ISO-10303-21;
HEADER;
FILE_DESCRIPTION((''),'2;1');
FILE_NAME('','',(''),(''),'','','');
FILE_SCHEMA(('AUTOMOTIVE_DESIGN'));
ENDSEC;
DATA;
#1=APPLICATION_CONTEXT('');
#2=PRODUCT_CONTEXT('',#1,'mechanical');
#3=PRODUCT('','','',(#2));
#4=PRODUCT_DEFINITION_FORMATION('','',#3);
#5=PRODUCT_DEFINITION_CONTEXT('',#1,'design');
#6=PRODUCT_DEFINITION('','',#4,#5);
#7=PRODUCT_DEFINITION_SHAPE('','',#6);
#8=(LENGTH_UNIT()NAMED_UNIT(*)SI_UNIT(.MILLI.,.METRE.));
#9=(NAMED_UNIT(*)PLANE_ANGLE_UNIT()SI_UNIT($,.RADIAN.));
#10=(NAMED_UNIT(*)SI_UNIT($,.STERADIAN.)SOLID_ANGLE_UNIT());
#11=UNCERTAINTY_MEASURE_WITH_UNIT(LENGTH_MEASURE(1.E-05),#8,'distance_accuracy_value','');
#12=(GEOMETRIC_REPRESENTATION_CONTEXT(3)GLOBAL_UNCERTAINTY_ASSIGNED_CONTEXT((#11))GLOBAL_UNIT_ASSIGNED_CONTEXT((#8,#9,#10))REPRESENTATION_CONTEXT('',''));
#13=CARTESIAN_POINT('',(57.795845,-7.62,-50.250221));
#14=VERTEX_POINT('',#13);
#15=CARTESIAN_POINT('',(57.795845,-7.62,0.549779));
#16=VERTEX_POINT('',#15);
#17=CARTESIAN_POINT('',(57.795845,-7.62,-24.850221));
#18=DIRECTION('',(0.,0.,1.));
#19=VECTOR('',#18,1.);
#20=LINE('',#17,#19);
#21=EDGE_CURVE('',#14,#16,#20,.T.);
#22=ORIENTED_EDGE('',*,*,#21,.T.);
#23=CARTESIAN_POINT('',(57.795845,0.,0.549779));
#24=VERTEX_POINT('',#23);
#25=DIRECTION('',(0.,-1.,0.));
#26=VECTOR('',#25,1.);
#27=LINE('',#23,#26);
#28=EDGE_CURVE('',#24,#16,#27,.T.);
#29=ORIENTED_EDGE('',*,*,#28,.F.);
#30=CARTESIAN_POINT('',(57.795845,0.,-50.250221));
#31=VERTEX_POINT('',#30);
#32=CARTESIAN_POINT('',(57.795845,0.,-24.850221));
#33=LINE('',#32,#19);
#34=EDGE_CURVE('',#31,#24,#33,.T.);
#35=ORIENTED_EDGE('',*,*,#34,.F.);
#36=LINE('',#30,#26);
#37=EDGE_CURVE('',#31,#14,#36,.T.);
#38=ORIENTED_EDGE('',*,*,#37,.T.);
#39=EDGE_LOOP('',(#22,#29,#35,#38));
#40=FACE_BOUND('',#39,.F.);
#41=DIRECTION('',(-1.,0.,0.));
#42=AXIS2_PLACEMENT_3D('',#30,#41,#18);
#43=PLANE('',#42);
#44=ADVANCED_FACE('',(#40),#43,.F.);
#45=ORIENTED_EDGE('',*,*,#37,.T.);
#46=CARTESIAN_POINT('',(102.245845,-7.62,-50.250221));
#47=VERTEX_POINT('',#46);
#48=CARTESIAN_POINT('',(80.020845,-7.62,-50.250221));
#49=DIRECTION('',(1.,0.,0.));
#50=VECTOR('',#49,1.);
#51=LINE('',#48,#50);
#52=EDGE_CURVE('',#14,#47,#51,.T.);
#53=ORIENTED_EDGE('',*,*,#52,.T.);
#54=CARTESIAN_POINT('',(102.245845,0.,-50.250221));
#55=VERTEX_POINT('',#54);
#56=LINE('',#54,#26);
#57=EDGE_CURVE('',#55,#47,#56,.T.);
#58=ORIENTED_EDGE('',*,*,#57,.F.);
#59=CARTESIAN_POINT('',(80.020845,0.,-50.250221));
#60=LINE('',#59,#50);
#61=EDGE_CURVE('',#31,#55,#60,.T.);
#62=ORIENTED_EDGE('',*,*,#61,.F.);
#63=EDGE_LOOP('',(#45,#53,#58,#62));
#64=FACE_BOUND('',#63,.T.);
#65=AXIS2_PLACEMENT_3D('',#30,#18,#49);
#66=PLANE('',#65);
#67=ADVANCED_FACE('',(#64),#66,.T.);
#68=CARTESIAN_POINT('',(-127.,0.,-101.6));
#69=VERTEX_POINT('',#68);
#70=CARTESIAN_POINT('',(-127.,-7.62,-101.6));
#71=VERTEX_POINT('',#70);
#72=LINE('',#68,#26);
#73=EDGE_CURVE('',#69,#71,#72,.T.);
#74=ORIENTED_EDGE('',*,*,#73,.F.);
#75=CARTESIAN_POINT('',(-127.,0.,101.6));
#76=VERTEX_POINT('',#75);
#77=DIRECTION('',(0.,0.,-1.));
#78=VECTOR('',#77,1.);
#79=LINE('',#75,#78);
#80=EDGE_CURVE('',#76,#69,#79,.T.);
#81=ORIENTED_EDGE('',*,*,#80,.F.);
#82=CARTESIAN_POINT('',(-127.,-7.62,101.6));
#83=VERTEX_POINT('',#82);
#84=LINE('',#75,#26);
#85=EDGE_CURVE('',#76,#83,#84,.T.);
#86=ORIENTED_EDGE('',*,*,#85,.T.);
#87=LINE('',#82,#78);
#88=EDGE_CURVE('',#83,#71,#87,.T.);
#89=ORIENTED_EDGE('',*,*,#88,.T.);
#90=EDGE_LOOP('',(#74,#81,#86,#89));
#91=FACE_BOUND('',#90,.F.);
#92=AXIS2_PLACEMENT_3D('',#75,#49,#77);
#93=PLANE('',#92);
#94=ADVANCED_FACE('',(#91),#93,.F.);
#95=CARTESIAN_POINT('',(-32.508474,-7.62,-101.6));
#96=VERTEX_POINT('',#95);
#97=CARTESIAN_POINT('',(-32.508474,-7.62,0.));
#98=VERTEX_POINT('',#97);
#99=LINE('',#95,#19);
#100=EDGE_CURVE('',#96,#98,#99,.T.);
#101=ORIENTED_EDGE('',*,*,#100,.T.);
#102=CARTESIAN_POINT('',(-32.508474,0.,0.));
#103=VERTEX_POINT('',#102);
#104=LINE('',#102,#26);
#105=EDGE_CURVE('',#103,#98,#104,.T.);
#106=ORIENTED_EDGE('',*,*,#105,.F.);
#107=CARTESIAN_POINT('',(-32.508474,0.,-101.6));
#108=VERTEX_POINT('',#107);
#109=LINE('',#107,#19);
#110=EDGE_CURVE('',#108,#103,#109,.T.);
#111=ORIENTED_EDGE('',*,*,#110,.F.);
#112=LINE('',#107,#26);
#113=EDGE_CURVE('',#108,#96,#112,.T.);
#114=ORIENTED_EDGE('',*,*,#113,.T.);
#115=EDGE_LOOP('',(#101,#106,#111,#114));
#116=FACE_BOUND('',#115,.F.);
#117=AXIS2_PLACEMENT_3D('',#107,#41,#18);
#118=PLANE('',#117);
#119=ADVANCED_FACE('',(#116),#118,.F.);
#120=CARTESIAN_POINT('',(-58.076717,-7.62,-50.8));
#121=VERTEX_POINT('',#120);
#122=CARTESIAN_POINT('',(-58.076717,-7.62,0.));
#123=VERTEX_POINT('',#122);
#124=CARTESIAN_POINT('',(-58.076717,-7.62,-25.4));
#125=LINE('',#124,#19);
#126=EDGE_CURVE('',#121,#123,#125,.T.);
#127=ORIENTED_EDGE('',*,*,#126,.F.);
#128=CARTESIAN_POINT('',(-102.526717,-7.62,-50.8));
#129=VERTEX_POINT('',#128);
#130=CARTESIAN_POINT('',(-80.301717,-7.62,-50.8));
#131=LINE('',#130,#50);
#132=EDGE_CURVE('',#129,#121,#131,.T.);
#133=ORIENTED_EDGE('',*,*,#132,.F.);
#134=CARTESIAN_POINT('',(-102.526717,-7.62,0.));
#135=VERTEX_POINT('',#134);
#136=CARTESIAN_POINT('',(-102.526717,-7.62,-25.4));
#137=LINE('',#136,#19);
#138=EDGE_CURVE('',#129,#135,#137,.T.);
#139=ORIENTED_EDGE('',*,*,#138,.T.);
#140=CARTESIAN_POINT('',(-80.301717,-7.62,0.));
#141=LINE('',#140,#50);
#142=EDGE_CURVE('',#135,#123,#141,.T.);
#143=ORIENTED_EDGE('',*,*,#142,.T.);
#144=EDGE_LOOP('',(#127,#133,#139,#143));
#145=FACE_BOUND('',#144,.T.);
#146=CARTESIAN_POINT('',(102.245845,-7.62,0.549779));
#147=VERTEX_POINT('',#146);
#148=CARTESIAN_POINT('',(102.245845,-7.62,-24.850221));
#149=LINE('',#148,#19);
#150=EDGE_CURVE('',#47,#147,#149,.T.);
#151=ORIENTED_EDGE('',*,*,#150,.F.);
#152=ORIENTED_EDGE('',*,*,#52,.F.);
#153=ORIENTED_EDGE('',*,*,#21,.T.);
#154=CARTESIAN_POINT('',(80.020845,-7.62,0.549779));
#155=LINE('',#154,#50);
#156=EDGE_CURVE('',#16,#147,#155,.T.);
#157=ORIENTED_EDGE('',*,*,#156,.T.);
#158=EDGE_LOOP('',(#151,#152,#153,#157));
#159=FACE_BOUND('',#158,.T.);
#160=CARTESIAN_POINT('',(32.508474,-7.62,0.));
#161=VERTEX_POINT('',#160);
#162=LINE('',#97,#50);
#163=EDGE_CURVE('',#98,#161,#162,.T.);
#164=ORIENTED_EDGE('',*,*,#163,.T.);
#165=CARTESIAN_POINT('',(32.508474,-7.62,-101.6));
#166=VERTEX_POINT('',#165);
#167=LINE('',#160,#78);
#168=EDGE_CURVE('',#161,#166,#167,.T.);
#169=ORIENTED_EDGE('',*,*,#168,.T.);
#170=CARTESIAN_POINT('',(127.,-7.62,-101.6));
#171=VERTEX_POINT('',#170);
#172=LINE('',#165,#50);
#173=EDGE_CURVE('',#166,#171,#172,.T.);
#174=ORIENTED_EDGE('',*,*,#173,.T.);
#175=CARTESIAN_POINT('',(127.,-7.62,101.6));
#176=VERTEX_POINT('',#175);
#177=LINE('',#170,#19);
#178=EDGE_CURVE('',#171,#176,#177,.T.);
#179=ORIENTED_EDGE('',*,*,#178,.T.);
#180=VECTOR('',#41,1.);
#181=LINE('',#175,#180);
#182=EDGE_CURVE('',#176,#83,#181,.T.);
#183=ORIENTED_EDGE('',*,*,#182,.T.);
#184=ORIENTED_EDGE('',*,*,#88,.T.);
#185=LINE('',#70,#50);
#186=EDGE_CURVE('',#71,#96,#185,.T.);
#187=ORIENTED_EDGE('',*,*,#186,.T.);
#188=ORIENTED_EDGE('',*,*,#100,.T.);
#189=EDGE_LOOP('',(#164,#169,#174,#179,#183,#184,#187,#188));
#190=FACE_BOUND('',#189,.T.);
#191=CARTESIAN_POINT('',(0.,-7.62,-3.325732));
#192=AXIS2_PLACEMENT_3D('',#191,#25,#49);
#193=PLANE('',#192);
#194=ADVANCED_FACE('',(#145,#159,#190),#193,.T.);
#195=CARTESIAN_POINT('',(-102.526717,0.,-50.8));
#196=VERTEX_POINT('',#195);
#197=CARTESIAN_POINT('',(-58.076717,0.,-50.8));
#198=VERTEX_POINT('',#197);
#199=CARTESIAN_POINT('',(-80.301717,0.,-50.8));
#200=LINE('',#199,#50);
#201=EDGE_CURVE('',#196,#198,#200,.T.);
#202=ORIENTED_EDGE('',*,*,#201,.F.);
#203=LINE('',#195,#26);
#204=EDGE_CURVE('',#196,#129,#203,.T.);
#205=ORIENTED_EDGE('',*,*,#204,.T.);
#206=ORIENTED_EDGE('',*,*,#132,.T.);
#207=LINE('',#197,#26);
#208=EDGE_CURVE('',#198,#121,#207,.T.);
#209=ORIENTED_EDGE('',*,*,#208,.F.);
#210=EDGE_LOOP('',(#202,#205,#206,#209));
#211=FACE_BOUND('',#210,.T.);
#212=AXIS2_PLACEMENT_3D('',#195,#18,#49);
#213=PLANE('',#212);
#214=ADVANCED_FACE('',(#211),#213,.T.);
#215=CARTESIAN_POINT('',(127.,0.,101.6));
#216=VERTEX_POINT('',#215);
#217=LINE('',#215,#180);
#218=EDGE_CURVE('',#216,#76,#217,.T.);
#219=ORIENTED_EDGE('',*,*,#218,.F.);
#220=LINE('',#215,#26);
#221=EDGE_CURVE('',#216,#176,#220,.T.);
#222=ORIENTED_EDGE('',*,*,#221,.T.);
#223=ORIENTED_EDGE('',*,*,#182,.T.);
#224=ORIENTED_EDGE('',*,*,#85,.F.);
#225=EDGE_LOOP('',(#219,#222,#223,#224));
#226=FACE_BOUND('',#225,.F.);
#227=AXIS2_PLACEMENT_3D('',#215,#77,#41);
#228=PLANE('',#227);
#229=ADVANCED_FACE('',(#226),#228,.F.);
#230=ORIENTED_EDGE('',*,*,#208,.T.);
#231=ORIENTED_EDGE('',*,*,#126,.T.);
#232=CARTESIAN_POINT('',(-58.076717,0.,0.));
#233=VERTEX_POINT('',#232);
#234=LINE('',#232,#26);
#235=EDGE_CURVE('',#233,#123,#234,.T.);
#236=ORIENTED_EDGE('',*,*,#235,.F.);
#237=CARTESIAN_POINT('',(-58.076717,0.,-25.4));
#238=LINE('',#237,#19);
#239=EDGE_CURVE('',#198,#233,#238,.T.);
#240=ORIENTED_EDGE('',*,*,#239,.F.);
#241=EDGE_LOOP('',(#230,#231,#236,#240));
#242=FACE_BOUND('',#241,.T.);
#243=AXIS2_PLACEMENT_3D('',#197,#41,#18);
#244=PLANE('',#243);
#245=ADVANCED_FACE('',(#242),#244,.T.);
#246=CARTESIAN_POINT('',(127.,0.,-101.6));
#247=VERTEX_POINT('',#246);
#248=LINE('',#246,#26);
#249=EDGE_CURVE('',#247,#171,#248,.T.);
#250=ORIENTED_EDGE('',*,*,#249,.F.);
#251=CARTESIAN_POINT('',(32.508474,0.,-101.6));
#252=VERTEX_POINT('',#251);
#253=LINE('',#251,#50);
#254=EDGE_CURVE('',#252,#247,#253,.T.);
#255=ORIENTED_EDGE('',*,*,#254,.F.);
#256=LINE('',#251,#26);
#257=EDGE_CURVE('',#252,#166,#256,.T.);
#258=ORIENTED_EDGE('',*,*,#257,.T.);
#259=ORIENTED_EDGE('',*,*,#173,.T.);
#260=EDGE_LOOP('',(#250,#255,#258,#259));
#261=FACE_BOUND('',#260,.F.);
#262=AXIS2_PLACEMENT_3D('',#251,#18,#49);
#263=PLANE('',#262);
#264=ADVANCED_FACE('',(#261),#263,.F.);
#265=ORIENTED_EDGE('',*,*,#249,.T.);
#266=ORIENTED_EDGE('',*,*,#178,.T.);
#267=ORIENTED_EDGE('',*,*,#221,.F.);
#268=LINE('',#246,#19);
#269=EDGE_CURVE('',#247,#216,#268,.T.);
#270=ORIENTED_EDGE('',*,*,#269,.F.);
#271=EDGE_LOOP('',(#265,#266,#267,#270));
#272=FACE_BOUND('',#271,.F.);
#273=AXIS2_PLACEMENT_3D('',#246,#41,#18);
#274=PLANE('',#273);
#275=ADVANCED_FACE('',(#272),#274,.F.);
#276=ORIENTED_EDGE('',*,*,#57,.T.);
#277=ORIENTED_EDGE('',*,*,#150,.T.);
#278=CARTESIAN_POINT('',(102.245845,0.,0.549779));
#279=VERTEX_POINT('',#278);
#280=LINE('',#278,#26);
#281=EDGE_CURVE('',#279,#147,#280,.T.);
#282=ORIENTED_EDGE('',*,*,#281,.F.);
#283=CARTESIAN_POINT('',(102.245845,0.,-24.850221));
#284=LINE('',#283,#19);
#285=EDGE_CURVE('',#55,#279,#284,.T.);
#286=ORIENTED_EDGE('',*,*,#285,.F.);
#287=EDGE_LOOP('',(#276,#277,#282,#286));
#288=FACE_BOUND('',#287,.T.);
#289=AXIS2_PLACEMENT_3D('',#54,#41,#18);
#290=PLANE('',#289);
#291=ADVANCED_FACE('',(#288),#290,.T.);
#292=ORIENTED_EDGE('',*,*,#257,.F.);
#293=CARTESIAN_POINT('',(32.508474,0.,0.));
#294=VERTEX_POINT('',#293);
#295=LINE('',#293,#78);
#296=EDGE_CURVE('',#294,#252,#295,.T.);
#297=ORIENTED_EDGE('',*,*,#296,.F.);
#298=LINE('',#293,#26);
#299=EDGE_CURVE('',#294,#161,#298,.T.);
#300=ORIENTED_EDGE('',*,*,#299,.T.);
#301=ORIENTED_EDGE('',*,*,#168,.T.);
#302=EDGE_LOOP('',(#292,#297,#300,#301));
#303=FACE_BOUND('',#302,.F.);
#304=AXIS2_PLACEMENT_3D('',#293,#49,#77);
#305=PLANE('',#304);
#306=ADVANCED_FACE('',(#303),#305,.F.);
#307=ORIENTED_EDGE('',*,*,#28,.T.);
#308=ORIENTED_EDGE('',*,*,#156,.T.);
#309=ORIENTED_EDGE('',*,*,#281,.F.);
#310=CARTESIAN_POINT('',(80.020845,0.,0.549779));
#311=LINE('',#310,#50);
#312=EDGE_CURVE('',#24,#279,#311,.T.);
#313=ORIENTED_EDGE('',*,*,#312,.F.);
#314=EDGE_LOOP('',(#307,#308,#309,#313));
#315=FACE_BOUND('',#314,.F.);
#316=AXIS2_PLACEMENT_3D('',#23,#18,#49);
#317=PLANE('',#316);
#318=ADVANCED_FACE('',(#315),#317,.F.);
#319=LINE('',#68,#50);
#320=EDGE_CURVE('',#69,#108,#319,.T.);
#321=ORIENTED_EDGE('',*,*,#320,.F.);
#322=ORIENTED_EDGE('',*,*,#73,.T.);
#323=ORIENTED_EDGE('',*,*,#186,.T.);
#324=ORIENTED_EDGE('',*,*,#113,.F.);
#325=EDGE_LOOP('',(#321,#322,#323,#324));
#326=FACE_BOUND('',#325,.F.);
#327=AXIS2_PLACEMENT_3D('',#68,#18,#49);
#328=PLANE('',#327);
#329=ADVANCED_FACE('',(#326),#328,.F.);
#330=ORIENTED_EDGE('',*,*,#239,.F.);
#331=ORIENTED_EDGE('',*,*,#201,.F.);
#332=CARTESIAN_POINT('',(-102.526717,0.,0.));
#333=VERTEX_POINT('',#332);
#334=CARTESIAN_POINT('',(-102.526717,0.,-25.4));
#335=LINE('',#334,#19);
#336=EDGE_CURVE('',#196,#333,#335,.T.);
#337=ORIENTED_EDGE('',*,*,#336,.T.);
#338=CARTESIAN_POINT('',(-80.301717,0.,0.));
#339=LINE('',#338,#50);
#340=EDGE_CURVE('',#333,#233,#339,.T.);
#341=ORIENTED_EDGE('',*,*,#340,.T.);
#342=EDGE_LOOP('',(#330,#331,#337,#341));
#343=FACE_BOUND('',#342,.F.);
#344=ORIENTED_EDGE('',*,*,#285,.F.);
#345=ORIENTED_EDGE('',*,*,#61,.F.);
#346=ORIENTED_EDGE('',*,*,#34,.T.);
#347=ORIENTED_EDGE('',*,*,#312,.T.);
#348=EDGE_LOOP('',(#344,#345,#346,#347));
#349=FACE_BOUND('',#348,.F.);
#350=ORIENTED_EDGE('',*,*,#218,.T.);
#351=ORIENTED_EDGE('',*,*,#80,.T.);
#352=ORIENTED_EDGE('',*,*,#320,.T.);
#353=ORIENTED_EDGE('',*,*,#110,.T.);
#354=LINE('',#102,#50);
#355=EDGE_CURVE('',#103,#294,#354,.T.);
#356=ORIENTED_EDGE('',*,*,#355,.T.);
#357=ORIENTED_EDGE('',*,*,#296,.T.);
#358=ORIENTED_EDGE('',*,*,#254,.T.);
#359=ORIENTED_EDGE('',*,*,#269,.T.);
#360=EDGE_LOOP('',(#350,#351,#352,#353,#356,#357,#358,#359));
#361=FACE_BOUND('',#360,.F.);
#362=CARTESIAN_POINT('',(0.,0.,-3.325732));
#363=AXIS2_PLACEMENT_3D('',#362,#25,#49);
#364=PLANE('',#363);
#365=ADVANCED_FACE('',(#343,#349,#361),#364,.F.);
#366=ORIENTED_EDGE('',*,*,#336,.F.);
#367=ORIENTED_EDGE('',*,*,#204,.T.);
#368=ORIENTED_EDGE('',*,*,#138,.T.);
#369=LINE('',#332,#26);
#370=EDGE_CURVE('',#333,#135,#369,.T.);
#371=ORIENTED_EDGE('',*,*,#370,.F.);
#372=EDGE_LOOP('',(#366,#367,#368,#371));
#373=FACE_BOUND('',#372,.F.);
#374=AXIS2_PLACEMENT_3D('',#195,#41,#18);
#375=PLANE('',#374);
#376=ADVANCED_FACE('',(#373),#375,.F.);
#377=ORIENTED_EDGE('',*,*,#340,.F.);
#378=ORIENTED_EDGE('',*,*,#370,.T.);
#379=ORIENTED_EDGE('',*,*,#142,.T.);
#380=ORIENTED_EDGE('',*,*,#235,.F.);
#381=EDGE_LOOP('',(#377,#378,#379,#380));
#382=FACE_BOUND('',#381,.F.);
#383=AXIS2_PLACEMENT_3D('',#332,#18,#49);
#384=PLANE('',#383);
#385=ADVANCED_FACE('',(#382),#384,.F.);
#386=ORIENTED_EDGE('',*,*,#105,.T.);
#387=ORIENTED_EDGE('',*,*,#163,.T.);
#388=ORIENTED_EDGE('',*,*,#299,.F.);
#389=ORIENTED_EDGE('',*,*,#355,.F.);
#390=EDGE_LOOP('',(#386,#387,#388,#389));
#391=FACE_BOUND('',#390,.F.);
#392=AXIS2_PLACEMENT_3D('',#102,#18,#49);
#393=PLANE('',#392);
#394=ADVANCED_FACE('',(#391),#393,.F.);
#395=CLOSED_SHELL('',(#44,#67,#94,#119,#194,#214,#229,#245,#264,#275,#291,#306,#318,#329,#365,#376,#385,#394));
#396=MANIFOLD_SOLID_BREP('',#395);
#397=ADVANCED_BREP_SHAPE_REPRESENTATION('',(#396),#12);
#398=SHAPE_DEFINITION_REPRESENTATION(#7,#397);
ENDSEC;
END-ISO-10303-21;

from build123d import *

# Parameters (mm, degrees)
F0_W     = 44.45
F0_H     = 50.8
F1_DEPTH = 7.62


with BuildPart() as f1:
    # F0 (on Front) → F1 (new body)
    with BuildSketch(Plane.XZ):
        Polygon((127, 101.6), (-127, 101.6), (-127, -101.6), (-32.508474, -101.6), (-32.508474, 0), (32.508474, 0), (32.508474, -101.6), (127, -101.6), align=None)
        with Locations((-80.301717, -25.4)):
            Rectangle(F0_W, F0_H, mode=Mode.SUBTRACT)
        with Locations((80.020845, -24.850221)):
            Rectangle(F0_W, F0_H, mode=Mode.SUBTRACT)
    extrude(amount=F1_DEPTH)


solid = f1.part
